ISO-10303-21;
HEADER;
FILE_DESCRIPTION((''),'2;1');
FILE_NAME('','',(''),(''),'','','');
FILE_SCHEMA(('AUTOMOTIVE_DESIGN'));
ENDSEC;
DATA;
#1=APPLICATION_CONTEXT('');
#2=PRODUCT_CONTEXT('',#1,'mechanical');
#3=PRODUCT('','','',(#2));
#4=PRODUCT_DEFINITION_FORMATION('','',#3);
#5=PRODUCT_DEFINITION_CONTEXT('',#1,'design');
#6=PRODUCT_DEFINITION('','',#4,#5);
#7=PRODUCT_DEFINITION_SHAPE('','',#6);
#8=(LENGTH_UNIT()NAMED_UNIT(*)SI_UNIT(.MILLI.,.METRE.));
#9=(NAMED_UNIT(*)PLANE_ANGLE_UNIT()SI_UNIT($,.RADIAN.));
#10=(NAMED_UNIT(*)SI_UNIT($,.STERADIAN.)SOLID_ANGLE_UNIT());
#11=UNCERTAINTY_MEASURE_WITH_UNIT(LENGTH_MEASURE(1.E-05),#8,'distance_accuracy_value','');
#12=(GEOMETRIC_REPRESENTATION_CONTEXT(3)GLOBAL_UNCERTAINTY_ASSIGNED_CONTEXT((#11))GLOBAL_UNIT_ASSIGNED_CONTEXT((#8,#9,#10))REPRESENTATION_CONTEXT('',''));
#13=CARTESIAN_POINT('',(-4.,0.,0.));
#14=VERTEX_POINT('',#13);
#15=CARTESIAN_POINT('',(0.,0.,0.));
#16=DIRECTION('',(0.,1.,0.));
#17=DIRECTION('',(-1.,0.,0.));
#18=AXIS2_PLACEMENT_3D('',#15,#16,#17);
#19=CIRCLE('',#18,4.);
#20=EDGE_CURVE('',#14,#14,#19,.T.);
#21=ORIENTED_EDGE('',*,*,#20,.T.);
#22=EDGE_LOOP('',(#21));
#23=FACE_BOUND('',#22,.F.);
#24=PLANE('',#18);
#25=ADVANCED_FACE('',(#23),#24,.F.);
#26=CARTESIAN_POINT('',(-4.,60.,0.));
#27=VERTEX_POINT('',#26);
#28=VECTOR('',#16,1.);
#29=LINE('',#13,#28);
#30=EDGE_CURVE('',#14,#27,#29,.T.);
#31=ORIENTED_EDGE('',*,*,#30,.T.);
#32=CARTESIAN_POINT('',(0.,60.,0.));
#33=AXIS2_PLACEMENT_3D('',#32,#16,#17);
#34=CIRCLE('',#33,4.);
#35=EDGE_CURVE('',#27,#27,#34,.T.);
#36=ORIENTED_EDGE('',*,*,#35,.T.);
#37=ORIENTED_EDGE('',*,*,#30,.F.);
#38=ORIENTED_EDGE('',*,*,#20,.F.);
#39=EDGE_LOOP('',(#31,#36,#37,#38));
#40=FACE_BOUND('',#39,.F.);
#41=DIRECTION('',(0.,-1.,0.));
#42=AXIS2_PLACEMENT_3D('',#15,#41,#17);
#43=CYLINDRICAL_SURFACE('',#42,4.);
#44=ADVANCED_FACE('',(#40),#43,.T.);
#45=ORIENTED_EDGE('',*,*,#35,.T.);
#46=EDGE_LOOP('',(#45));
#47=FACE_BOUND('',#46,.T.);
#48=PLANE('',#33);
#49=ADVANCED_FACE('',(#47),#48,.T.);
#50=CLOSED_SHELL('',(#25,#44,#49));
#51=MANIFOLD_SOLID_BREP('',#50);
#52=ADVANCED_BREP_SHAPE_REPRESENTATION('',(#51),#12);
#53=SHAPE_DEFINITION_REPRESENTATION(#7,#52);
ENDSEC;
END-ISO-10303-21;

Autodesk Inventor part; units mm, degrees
ref_plane "YZ Plane" through (0, 0, 0) normal (1, 0, 0) x (0, 1, 0)
ref_plane "XZ Plane" through (0, 0, 0) normal (0, 1, 0) x (-1, 0, 0)
ref_plane "XY Plane" through (0, 0, 0) normal (0, 0, 1) x (1, 0, 0)
sketch "Sketch1" plane through (0, 0, 0) normal (0, 1, 0) x (-1, 0, 0)
  circle A0 centre (0, 0) radius 4
  dimension "d0" = 8
extrude "Extrusion1" add sketch "Sketch1" along normal blind 60
properties part number "coil_in"
